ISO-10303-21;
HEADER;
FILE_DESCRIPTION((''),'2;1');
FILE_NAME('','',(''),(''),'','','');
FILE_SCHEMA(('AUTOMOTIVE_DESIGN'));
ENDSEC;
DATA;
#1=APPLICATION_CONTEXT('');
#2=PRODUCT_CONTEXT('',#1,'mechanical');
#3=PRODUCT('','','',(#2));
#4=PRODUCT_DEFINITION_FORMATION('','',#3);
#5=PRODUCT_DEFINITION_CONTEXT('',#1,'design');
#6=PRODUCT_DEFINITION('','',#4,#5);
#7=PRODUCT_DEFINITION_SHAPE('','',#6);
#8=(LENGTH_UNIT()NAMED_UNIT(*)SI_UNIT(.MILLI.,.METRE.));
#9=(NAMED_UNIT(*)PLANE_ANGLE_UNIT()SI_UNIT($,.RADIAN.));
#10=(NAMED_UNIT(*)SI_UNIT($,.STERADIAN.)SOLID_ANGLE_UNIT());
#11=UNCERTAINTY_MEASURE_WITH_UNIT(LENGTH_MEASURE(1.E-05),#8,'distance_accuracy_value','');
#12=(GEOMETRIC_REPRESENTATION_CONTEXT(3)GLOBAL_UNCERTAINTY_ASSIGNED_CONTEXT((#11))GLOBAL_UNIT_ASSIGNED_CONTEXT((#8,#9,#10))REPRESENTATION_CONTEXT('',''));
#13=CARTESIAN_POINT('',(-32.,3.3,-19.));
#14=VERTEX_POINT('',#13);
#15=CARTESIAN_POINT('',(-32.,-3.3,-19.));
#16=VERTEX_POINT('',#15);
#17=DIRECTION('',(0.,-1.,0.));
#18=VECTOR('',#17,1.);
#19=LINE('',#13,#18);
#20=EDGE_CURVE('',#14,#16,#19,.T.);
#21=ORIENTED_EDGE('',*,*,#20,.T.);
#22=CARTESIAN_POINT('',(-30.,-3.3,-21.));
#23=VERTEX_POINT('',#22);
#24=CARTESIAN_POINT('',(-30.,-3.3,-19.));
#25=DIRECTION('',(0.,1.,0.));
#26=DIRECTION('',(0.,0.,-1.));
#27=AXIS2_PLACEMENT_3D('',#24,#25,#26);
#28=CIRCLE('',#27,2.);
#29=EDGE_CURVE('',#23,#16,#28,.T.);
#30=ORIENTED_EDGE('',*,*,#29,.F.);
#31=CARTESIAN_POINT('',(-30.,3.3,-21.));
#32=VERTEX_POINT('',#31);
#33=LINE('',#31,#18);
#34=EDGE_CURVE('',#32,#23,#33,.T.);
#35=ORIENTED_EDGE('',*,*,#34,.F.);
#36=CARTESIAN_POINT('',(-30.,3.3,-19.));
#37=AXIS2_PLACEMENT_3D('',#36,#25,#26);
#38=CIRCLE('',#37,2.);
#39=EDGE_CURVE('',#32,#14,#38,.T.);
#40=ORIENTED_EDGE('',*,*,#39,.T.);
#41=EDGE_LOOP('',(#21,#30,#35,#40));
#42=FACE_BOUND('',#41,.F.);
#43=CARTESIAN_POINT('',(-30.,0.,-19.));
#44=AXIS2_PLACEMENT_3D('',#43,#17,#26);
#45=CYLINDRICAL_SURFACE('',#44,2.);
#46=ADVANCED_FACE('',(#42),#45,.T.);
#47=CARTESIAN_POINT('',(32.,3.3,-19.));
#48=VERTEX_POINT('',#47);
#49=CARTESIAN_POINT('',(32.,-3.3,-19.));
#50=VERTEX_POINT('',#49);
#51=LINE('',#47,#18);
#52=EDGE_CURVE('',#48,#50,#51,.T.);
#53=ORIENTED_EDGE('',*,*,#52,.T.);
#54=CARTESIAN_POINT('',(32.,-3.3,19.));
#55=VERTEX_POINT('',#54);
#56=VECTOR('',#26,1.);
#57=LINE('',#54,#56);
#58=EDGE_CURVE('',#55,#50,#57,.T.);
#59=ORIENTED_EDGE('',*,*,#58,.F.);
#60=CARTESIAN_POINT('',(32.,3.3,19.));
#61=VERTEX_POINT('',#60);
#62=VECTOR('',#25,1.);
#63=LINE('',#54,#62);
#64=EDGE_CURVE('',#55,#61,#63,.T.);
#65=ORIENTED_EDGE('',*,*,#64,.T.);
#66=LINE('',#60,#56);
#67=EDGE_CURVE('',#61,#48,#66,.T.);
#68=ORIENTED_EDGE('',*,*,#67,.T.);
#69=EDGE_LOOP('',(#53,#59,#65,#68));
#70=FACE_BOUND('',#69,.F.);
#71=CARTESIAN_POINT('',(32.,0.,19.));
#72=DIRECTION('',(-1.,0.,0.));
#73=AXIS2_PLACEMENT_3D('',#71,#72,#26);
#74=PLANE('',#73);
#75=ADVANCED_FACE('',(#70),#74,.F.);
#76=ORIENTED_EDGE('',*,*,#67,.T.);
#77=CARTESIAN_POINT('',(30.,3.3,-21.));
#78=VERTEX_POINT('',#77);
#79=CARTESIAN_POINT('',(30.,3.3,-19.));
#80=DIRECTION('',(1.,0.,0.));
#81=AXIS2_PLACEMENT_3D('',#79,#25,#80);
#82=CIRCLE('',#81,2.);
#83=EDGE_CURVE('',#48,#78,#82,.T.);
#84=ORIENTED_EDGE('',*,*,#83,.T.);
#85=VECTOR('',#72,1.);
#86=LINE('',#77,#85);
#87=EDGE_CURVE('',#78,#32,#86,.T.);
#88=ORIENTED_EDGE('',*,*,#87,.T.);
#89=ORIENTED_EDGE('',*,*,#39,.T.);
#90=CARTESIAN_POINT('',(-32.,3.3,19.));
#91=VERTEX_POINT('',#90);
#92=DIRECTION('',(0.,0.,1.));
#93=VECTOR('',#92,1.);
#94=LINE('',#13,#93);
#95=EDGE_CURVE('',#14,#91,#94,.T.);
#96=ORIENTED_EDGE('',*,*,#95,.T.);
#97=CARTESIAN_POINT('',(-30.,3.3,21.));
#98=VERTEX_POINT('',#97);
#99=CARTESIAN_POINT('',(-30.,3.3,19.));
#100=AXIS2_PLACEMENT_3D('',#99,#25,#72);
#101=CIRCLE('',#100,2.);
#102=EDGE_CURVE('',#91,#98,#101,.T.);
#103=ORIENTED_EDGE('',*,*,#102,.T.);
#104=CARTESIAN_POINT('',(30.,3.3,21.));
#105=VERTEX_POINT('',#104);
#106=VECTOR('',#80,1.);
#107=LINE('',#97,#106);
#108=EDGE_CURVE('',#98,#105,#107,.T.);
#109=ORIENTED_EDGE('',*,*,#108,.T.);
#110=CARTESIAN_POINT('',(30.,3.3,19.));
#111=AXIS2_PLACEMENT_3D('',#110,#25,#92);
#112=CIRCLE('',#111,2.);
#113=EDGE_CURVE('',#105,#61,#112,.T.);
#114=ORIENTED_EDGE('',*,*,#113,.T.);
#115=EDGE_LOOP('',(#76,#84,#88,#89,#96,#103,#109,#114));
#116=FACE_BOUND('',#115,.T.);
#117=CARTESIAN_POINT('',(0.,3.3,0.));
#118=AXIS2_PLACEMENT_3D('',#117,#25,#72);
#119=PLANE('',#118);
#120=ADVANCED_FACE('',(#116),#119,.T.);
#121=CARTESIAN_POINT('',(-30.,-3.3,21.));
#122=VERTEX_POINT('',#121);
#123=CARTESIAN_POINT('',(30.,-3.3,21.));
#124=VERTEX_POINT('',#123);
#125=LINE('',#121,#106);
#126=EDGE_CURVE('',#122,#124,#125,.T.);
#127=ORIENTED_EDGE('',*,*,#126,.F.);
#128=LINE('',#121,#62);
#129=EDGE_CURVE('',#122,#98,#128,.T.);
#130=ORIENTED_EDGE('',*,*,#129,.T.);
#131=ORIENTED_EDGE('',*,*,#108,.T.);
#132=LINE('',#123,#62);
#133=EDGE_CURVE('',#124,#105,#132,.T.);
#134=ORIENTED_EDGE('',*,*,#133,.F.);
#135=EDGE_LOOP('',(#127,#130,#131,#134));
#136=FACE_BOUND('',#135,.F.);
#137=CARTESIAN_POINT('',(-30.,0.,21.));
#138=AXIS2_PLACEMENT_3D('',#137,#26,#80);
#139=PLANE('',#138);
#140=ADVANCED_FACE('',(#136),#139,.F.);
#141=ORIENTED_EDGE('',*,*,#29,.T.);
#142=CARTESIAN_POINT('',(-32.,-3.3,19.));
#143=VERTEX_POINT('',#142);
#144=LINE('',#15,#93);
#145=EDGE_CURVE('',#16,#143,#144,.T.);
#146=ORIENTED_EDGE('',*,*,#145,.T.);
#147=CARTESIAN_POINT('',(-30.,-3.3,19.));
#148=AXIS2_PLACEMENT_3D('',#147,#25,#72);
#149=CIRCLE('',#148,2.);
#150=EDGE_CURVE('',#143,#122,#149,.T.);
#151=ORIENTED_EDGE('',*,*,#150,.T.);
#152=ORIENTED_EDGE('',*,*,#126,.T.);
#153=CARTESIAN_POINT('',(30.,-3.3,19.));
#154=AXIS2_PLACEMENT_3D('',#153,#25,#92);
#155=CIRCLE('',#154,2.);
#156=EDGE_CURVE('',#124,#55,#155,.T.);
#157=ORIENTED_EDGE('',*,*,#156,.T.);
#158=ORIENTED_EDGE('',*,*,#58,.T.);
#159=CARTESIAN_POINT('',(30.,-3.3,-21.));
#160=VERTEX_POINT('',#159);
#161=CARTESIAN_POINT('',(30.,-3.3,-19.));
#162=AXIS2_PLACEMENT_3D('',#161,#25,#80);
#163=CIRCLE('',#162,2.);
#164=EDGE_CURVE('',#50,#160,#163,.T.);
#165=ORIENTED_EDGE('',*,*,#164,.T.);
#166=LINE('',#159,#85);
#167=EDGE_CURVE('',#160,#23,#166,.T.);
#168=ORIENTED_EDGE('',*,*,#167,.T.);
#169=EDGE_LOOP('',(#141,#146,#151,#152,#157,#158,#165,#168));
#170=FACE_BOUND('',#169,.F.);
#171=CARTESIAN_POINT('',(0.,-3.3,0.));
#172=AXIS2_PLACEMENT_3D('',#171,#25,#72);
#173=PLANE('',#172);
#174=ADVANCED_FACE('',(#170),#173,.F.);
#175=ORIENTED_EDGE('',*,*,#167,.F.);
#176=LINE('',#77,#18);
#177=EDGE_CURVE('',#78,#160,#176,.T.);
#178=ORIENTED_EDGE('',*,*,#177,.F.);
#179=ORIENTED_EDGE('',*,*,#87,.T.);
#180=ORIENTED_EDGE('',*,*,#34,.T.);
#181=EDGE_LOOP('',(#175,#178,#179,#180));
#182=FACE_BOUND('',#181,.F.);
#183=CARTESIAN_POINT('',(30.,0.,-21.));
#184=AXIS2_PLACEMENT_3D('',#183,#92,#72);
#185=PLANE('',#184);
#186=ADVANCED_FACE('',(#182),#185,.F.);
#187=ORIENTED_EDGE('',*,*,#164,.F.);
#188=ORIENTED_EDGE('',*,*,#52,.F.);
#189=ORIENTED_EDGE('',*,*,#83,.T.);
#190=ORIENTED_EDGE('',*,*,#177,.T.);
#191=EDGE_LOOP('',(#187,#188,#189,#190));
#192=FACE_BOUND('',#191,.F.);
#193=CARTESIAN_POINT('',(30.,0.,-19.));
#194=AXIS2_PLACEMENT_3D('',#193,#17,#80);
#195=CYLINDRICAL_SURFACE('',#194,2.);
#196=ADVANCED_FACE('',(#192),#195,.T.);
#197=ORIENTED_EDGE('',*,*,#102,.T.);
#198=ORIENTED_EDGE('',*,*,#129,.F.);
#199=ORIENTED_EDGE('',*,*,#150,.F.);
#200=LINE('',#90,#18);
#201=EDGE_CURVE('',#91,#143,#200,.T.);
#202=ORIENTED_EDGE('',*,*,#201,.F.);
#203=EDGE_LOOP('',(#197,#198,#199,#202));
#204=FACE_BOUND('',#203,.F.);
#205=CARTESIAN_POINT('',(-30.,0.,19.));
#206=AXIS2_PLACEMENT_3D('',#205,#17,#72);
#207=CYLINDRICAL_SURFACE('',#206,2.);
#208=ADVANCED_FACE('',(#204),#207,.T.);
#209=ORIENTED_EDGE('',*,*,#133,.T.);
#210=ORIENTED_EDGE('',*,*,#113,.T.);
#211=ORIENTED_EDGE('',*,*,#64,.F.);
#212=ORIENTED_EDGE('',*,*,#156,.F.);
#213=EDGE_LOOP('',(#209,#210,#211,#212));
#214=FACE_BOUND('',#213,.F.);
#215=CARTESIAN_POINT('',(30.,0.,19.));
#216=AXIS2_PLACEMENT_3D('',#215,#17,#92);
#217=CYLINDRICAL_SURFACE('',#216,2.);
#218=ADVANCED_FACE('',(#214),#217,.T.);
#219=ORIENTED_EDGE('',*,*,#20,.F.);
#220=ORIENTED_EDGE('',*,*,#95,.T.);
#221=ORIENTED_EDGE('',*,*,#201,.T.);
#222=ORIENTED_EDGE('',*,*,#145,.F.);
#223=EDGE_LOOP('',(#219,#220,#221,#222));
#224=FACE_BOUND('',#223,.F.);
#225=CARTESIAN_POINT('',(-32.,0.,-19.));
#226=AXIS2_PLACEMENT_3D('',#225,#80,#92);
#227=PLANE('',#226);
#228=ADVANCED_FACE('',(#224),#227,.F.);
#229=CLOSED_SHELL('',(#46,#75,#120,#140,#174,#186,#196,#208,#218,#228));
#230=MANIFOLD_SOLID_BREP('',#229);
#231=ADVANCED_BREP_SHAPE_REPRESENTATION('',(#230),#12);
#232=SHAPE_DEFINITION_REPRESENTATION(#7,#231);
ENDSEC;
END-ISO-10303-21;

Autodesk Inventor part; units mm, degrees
ref_plane "YZ Plane" through (0, 0, 0) normal (1, 0, 0) x (0, 1, 0)
ref_plane "XZ Plane" through (0, 0, 0) normal (0, 1, 0) x (-1, 0, 0)
ref_plane "XY Plane" through (0, 0, 0) normal (0, 0, 1) x (1, 0, 0)
sketch "Sketch1" plane through (0, 0, 0) normal (0, 1, 0) x (-1, 0, 0)
  line L0 (30, 21) -> (-30, 21)
  line L1 (-32, 19) -> (-32, -19)
  line L2 (-30, -21) -> (30, -21)
  line L3 (32, -19) -> (32, 19)
  line L4 (32, 21) -> (-32, -21) construction
  line L5 (-32, 21) -> (32, -21) construction
  arc A0 (30, -21) -> (32, -19) centre (30, -19) ccw
  arc A1 (32, 19) -> (30, 21) centre (30, 19) ccw
  arc A2 (-30, 21) -> (-32, 19) centre (-30, 19) ccw
  arc A3 (-32, -19) -> (-30, -21) centre (-30, -19) ccw
  point P0 (0, 0)
  dimension "d0" = 64
  dimension "d1" = 42
  dimension "d2" = 2
extrude "Extrusion1" add sketch "Sketch1" along normal mid plane 6.6
properties part number "Exploration_Industrials_All" material "Paper"
